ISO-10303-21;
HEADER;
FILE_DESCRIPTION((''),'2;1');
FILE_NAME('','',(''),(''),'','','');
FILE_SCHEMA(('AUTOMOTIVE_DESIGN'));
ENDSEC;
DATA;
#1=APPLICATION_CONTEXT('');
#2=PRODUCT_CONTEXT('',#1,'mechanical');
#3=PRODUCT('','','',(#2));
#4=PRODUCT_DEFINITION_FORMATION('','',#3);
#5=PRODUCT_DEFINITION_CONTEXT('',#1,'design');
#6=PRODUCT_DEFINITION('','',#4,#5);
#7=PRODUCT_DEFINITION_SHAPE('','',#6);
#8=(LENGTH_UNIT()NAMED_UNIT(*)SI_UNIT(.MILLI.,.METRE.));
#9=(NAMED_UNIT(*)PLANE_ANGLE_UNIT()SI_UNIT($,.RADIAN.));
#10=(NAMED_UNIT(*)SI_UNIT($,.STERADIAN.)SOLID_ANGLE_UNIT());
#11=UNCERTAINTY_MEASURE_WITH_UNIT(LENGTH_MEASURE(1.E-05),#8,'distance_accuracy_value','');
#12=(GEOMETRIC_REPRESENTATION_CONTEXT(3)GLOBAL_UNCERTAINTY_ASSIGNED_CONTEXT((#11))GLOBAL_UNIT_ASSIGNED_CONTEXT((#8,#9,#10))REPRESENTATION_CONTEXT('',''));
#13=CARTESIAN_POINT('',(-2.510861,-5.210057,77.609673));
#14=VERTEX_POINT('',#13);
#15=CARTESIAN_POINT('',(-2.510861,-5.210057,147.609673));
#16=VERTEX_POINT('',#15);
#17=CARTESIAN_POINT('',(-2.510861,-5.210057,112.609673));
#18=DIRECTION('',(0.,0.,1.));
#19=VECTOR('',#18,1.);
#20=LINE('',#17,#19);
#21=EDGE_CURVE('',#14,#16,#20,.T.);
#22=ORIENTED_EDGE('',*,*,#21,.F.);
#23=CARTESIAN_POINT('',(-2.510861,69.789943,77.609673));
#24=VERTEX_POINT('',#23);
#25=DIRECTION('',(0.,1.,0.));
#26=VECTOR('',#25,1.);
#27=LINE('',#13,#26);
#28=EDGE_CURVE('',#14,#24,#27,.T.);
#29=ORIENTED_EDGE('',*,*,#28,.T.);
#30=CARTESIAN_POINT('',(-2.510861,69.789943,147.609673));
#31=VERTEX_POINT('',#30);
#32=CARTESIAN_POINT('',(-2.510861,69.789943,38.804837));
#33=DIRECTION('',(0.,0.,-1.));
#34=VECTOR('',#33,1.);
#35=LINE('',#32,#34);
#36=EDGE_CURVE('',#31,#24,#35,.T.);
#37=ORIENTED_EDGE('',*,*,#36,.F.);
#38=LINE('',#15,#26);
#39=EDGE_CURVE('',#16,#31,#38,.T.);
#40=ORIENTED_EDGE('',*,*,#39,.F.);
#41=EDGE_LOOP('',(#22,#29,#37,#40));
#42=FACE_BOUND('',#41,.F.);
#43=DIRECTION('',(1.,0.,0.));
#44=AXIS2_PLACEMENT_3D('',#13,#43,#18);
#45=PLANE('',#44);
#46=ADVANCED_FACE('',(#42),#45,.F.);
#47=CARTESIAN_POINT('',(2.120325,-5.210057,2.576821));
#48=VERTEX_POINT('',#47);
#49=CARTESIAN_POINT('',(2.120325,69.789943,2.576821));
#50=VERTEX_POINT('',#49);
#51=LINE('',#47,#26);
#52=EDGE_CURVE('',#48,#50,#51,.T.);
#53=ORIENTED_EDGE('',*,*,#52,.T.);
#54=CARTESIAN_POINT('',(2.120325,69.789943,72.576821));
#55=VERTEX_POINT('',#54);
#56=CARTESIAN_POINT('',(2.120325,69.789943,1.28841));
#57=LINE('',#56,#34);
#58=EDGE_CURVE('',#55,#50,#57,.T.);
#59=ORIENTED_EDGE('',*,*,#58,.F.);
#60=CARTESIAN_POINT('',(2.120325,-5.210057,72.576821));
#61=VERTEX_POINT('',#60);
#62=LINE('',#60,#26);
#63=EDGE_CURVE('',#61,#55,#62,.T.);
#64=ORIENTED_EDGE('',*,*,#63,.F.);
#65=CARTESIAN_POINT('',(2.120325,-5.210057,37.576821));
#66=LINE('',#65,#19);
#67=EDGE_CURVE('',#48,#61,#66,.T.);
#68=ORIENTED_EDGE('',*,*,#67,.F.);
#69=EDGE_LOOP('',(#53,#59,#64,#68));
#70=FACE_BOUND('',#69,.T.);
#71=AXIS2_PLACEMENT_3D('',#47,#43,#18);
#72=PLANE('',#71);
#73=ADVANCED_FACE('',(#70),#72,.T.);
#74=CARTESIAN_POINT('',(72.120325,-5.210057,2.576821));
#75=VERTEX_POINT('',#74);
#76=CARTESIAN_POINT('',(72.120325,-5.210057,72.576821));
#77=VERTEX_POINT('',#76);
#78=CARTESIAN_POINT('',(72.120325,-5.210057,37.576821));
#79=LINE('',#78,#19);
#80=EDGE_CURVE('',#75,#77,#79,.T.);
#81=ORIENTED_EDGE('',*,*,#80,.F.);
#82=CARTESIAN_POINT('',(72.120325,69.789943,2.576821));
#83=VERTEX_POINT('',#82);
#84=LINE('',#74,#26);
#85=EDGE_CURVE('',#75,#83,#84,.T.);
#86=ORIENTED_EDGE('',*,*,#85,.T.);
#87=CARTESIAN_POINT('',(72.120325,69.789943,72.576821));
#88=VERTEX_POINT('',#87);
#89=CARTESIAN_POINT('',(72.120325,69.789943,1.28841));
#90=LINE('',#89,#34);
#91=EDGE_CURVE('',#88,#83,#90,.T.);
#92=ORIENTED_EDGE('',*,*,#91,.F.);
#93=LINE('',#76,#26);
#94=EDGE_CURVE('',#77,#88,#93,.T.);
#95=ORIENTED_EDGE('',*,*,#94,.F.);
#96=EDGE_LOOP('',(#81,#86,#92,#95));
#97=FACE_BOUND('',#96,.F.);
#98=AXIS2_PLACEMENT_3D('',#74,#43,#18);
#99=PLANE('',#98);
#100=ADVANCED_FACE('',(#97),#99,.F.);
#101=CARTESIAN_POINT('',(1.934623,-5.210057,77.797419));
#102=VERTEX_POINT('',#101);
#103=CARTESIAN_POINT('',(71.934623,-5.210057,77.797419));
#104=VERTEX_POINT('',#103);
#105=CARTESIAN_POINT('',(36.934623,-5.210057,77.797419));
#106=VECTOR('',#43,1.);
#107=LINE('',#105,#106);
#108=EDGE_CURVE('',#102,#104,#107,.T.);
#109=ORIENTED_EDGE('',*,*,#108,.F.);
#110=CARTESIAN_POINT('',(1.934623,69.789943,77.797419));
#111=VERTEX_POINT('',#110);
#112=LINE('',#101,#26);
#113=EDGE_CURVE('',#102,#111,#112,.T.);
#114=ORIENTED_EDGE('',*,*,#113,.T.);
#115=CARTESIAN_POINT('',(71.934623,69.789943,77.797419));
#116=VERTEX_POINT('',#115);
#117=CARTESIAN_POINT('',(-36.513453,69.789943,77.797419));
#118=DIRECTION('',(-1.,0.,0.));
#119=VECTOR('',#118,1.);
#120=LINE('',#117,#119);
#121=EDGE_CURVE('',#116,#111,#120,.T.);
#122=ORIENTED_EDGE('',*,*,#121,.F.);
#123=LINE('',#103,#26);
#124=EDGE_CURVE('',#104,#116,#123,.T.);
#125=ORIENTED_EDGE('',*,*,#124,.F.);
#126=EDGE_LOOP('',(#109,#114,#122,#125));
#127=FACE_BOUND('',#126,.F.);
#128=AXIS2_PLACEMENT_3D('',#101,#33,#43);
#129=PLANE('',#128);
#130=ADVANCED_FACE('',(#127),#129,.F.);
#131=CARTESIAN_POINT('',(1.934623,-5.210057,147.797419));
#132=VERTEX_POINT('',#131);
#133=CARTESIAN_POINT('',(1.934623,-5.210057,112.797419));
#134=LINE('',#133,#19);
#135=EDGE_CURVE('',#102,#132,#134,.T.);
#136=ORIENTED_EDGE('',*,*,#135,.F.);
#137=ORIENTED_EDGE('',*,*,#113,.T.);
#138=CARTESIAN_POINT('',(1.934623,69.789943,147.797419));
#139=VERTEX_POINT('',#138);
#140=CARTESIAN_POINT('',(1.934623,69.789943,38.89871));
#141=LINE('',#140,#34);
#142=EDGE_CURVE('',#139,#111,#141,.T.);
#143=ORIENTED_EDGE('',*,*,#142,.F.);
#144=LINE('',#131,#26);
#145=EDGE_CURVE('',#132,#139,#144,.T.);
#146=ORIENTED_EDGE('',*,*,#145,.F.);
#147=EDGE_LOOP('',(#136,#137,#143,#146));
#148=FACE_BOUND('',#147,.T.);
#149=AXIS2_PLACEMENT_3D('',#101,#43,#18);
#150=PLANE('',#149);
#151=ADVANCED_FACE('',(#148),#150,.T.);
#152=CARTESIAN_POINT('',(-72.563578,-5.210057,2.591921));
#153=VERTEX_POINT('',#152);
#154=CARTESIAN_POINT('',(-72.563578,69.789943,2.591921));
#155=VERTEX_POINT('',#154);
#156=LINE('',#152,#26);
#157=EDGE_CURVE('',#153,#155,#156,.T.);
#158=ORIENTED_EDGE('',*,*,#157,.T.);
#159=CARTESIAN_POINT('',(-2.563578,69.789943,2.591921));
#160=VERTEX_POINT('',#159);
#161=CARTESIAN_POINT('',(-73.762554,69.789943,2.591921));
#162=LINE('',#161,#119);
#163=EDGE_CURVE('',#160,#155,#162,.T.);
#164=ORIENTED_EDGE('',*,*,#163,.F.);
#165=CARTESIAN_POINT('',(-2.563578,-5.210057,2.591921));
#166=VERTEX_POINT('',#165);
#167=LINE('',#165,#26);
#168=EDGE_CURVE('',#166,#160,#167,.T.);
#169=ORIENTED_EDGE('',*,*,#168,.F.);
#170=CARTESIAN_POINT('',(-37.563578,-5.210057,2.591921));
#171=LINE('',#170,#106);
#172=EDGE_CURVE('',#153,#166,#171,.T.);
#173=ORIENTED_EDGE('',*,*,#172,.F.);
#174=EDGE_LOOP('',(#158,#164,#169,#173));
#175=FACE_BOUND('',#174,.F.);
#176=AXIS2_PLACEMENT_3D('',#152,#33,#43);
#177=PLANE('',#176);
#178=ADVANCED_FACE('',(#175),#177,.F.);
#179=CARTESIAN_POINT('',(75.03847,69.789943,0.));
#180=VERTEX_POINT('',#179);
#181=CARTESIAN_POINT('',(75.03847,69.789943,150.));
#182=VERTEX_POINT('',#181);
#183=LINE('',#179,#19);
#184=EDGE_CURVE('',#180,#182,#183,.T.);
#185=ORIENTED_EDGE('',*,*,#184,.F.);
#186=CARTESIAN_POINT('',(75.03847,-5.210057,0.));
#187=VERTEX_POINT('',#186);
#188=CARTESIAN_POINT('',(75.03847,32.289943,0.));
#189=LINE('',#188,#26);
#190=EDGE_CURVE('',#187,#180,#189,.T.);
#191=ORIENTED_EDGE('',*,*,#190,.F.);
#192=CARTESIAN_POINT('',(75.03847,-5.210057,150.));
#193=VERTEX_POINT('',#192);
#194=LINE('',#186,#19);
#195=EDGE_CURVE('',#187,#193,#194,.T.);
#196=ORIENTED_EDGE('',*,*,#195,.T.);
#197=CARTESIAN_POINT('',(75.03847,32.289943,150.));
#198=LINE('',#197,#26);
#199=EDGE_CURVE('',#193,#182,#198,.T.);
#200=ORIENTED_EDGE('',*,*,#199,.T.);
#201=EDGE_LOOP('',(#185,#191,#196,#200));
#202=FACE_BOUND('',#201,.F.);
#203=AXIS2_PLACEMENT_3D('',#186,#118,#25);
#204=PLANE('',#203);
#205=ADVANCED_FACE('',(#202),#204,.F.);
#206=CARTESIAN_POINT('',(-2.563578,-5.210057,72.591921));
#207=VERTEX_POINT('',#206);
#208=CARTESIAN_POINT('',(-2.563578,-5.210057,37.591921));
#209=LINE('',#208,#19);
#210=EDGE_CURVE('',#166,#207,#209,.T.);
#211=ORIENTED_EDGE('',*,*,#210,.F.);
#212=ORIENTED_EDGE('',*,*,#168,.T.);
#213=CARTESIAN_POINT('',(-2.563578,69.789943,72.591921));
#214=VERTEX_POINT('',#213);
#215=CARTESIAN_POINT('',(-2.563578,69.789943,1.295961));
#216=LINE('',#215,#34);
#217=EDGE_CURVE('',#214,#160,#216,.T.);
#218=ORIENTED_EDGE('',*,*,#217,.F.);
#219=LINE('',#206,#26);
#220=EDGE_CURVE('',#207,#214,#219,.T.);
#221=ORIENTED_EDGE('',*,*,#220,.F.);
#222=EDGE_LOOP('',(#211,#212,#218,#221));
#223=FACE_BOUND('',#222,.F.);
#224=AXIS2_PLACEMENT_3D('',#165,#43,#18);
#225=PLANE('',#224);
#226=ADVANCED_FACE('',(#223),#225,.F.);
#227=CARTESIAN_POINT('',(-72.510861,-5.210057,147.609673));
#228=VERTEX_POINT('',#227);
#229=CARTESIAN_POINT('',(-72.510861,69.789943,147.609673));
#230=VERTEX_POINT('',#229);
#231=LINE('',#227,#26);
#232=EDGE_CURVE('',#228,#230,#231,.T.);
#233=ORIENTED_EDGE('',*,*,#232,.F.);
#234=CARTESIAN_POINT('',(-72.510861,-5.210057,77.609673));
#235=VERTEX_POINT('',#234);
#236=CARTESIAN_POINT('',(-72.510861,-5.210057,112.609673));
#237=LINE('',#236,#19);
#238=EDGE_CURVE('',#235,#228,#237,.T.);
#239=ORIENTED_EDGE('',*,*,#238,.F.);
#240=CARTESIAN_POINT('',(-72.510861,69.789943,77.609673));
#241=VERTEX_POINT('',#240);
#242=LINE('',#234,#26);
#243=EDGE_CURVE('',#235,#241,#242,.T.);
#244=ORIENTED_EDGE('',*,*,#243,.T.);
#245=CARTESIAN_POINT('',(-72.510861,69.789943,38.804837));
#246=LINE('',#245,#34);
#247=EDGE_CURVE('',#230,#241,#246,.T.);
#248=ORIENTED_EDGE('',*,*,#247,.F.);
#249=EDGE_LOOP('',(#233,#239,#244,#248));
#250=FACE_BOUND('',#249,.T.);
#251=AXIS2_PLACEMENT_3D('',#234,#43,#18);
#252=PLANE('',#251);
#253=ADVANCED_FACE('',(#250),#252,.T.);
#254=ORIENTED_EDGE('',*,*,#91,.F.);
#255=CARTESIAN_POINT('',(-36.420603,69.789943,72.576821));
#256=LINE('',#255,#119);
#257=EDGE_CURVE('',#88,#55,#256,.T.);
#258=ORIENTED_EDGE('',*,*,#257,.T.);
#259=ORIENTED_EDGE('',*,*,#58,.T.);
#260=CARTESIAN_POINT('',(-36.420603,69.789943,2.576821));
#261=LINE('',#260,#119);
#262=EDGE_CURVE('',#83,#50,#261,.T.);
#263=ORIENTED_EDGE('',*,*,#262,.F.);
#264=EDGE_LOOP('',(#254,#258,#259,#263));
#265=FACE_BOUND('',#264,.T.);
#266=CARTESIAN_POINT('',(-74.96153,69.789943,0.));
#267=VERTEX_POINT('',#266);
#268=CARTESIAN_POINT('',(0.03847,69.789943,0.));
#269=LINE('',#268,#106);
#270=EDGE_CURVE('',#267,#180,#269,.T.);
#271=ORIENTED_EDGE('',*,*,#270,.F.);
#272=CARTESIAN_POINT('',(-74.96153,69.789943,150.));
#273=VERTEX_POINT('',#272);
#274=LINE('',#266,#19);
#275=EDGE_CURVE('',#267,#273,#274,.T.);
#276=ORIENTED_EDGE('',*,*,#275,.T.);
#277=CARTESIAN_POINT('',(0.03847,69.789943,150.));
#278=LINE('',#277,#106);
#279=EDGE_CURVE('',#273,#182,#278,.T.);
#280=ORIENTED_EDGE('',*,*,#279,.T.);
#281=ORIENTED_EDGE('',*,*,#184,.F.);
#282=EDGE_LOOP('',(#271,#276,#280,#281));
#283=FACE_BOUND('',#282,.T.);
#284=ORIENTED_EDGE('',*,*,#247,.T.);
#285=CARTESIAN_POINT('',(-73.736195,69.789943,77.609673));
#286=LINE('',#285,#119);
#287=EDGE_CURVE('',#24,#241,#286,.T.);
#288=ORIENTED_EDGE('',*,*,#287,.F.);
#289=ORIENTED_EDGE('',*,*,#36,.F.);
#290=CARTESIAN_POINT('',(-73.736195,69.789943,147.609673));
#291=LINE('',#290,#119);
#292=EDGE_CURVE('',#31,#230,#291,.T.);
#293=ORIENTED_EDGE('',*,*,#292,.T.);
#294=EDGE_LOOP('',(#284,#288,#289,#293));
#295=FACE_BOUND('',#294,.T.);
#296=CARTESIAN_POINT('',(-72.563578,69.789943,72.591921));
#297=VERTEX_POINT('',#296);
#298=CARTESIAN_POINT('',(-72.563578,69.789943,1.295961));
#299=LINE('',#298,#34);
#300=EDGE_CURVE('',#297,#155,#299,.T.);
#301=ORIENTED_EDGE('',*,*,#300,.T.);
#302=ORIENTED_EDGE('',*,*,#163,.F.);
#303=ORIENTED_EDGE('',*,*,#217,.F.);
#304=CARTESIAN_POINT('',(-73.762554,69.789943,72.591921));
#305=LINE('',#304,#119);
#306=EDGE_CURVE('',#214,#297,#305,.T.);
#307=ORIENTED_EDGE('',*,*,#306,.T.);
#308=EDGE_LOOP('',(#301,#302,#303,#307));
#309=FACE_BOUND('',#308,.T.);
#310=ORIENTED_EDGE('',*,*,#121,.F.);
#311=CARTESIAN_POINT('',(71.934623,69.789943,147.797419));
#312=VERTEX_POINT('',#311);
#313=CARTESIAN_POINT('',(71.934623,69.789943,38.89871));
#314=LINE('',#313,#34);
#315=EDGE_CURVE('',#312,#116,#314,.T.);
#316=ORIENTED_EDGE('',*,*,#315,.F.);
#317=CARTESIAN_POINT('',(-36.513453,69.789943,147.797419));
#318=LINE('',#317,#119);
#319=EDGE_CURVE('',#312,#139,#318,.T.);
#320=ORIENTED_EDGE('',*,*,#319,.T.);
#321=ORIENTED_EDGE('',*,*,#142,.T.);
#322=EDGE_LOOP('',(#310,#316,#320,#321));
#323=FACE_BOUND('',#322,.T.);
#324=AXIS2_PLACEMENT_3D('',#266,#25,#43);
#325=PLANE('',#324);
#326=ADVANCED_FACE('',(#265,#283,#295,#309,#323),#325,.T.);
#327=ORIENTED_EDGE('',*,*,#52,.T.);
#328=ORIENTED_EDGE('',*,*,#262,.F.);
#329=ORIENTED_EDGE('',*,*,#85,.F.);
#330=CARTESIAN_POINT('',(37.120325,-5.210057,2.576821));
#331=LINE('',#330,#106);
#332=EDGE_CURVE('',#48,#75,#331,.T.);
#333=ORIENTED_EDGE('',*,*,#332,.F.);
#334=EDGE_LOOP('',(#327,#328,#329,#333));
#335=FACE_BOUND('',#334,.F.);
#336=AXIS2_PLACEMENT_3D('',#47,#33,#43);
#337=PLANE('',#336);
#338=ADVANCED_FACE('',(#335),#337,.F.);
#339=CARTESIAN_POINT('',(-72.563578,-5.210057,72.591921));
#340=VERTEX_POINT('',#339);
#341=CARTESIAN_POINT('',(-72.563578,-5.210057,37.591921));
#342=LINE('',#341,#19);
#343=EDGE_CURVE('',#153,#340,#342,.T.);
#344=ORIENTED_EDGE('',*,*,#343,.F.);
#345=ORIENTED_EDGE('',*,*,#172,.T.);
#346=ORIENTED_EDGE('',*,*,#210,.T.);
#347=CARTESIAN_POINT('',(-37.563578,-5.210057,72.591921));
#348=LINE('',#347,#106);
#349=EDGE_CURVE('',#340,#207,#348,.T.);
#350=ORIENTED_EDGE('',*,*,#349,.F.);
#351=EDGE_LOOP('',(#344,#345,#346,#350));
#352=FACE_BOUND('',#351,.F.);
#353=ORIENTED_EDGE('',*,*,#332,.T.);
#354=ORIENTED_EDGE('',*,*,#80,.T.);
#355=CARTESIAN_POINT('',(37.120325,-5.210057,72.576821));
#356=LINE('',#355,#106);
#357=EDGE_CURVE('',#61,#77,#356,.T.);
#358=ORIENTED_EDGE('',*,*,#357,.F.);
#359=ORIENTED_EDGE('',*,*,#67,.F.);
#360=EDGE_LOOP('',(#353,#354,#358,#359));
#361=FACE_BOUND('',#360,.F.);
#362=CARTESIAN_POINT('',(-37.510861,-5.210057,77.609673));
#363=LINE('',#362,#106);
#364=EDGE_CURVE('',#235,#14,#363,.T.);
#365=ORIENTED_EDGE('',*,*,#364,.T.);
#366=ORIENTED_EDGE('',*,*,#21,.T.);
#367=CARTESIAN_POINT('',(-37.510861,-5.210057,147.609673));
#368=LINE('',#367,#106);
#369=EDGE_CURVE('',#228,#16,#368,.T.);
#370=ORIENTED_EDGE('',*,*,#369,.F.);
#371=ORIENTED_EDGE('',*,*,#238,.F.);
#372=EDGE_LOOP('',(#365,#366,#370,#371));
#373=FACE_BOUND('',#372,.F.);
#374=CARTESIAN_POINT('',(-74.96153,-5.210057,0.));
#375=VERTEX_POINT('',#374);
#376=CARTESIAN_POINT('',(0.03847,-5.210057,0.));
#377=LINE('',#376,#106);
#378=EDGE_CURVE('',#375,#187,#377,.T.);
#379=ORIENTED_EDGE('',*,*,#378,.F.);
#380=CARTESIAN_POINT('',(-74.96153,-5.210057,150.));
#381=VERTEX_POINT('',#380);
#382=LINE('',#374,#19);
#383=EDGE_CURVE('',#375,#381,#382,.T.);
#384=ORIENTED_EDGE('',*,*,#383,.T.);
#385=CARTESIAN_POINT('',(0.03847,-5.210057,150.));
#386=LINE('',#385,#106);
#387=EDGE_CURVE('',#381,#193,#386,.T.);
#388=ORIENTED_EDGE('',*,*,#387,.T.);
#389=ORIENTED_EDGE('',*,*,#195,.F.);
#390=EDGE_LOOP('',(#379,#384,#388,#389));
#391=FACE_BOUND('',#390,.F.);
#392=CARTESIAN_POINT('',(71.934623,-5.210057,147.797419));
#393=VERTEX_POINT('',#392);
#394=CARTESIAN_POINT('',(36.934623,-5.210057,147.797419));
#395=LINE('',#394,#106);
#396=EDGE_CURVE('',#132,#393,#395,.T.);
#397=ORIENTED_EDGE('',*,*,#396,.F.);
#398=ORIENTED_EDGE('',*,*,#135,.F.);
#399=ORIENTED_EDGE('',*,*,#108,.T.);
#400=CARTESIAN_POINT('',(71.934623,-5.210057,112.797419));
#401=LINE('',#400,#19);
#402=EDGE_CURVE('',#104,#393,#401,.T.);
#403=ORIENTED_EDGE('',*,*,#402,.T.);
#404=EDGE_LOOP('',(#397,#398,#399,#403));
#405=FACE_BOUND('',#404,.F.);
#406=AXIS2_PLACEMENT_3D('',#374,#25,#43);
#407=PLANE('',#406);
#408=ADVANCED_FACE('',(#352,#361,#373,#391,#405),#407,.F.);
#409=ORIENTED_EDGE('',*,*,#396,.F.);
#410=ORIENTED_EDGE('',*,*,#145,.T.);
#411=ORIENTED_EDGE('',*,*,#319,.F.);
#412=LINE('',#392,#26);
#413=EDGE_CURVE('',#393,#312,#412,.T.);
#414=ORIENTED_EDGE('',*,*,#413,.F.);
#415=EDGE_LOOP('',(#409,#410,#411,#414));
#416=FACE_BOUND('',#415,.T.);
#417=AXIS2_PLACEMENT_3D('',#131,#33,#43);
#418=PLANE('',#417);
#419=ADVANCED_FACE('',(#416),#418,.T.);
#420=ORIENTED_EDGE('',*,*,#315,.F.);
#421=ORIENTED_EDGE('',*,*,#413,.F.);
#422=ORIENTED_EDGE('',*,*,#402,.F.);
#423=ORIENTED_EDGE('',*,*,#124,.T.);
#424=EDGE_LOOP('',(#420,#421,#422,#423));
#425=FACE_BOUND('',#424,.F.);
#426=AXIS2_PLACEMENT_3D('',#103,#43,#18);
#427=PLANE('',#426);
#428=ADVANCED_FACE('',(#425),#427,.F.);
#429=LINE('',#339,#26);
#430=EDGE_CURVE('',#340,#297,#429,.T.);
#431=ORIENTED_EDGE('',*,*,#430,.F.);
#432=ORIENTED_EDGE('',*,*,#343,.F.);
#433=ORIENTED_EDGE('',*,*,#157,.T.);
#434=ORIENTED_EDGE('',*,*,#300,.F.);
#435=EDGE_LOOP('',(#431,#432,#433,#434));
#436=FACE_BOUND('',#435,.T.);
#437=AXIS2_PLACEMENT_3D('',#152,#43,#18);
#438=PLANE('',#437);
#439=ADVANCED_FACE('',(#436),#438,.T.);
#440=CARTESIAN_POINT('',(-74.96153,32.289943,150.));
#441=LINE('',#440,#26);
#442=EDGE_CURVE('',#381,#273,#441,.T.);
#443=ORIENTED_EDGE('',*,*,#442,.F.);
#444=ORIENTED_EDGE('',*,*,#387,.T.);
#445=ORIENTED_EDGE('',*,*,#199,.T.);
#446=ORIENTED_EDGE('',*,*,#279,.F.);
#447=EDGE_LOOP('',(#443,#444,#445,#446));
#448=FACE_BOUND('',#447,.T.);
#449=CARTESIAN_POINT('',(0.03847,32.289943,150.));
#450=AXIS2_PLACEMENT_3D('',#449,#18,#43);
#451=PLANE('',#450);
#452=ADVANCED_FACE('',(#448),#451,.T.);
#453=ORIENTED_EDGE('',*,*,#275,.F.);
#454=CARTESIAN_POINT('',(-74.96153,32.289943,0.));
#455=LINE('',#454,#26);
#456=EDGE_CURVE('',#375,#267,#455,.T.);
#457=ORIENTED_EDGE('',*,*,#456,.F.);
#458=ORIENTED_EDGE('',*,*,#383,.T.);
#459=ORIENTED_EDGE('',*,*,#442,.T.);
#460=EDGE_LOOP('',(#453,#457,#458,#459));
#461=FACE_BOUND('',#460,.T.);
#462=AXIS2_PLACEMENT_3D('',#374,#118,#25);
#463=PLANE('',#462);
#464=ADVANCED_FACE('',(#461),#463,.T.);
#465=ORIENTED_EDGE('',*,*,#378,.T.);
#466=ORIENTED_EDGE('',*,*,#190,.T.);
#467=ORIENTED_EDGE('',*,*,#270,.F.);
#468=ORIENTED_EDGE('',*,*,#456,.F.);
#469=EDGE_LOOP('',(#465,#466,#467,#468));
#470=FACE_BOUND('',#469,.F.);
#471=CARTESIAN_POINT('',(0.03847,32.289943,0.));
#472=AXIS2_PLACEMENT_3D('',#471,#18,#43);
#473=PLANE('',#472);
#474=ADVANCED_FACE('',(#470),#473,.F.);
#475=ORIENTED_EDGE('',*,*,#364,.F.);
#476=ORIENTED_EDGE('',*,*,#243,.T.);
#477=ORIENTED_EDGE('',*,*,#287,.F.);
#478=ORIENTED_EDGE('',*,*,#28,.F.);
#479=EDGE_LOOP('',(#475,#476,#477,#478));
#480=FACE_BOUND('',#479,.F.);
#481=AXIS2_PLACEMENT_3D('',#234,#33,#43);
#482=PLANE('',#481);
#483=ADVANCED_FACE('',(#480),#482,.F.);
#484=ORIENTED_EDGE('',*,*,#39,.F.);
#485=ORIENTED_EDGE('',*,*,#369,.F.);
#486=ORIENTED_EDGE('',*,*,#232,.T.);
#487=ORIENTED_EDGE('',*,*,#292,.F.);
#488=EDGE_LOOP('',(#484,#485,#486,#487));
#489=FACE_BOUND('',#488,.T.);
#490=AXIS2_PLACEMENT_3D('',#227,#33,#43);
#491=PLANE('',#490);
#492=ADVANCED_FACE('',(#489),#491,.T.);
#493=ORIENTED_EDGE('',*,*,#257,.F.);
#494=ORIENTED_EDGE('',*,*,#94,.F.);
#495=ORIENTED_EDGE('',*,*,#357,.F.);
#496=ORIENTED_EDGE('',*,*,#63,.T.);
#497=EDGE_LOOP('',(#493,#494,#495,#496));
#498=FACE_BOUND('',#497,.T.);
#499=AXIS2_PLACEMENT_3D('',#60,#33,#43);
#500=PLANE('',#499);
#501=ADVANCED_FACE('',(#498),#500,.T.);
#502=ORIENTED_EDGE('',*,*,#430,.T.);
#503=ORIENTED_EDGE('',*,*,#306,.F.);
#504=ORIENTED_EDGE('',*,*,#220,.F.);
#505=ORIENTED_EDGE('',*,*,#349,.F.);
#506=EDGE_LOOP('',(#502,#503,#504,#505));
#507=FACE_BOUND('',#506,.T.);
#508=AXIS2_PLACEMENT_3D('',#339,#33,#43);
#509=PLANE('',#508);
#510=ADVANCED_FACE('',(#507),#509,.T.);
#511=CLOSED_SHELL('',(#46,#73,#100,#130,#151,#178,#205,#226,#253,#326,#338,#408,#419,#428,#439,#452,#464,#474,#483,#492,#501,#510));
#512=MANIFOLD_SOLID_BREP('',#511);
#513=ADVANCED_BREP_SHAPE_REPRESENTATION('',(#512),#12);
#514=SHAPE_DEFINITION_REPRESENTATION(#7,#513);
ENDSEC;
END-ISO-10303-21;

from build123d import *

# Parameters (mm, degrees)
F0_W     = 150
F0_H     = 75
F1_DEPTH = 150
F2_W     = 70
F2_H     = 70
F3_DEPTH = 128.9


with BuildPart() as f1:
    # F0 (on Top) → F1 (new body)
    with BuildSketch(Plane.XY):
        with Locations((0.03847, 32.289943)):
            Rectangle(F0_W, F0_H)
    extrude(amount=F1_DEPTH)

    # F2 (on face) → F3 (cut)
    with BuildSketch(Plane.XZ.offset(5.210057)):
        with Locations((-37.510861, 112.609673)):
            Rectangle(F2_W, F2_H)
        with Locations((36.934623, 112.797419)):
            Rectangle(F2_W, F2_H)
        with Locations((-37.563578, 37.591921)):
            Rectangle(F2_W, F2_H)
        with Locations((37.120325, 37.576821)):
            Rectangle(F2_W, F2_H)
    extrude(amount=-F3_DEPTH, mode=Mode.SUBTRACT)


solid = f1.part
